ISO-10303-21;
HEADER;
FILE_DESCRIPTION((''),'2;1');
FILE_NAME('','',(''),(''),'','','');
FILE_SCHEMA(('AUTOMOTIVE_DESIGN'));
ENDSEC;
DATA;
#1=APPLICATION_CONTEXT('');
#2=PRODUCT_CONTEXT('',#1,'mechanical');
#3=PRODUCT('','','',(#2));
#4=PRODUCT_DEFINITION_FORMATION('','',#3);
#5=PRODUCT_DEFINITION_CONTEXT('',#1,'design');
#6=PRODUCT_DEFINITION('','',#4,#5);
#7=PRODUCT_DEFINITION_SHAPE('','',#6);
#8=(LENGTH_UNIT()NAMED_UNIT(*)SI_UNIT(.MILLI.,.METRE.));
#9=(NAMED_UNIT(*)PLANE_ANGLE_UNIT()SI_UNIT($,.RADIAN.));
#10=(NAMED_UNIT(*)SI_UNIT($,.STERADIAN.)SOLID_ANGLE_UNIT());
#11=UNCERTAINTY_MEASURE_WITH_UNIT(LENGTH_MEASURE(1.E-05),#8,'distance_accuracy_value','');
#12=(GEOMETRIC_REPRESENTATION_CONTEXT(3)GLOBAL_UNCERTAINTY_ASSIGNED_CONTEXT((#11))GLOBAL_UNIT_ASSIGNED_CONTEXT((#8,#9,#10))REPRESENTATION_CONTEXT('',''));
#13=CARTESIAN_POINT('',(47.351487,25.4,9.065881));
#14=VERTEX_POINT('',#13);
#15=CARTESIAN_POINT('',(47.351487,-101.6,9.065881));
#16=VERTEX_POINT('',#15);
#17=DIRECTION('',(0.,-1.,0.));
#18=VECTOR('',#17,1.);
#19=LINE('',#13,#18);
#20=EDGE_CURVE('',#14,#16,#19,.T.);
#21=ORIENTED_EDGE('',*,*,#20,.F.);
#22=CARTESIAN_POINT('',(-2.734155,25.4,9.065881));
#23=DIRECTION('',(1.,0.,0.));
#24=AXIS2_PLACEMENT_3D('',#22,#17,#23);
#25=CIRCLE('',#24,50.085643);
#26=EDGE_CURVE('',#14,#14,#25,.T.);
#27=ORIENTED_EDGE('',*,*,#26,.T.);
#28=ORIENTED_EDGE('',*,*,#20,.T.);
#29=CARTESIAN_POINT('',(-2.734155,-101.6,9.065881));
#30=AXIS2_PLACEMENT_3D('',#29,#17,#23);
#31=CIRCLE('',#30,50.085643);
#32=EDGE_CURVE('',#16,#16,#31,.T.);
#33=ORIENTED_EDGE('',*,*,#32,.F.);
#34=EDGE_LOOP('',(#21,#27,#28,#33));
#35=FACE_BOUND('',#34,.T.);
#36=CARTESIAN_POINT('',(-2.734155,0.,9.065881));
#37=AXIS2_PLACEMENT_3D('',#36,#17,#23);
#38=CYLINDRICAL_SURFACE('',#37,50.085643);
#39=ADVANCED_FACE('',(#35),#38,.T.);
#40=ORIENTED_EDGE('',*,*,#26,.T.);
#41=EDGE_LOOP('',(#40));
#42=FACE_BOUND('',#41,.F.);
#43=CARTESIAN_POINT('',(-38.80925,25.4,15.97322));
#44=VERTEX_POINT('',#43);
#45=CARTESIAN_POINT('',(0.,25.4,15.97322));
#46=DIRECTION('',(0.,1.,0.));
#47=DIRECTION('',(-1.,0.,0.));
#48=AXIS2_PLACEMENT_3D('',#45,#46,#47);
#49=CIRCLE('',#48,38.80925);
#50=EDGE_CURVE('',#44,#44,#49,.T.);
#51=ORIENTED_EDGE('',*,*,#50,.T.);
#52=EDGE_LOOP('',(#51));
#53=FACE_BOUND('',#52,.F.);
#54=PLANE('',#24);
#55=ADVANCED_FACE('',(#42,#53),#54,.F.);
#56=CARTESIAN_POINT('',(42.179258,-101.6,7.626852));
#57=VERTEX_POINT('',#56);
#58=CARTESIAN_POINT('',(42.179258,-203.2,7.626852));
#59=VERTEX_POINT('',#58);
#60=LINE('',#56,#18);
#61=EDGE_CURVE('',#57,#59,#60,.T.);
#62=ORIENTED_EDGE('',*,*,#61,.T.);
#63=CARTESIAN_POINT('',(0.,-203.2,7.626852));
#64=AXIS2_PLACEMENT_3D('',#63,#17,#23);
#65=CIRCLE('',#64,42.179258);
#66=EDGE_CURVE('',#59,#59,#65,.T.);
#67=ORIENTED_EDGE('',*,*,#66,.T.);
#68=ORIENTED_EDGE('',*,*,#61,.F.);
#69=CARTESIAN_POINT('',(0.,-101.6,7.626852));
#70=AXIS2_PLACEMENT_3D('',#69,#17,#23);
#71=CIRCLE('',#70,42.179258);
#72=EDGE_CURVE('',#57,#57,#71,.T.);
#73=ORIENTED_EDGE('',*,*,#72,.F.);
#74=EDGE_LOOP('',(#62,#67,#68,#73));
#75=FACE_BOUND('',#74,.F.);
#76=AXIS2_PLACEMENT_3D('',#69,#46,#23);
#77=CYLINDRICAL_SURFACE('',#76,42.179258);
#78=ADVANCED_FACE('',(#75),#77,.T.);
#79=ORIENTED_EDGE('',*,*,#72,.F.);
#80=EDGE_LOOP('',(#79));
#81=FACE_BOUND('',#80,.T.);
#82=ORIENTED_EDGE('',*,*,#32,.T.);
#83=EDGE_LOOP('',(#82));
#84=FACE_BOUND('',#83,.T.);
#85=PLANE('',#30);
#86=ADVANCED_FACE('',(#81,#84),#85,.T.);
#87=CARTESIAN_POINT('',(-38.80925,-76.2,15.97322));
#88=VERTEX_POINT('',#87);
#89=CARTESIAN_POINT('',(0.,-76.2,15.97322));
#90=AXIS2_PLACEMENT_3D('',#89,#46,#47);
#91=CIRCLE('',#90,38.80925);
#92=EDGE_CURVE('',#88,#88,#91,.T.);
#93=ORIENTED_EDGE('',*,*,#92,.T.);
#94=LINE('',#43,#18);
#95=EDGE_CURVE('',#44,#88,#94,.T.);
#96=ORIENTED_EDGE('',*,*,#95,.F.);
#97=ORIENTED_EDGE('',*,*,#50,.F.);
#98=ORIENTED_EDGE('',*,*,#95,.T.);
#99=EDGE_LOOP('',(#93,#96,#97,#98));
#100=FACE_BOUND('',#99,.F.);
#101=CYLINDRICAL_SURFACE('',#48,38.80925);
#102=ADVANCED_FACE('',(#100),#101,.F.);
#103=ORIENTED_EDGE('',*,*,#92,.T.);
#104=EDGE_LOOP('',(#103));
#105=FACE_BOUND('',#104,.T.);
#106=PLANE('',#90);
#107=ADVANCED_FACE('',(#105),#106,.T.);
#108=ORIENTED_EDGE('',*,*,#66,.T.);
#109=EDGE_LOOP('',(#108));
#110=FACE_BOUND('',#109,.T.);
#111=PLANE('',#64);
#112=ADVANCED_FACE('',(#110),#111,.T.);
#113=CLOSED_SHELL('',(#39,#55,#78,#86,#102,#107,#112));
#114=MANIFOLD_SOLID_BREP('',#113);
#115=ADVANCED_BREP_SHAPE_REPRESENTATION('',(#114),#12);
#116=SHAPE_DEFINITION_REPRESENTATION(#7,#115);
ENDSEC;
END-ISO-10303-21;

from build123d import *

# Parameters (mm, degrees)
F0_R     = 50.0856425189
F1_DEPTH = 101.6
F2_R     = 42.1792579473
F3_DEPTH = 101.6
F4_DEPTH = 25.4
F5_R     = 38.8092501819
F6_DEPTH = 101.6


with BuildPart() as f1:
    # F0 (on Front) → F1 (new body)
    with BuildSketch(Plane.XZ):
        with Locations((-2.7341553941, 9.0658813715)):
            Circle(F0_R)
    extrude(amount=F1_DEPTH)

    # F2 (on face) → F3 (join)
    with BuildSketch(Plane.XZ.offset(101.6)):
        with Locations((0, 7.6268524863)):
            Circle(F2_R)
    extrude(amount=F3_DEPTH)

    # F4 (add): a face of the model
    f4_faces = [f1.faces().sort_by_distance(p)[0] for p in [
        (-2.7341553941, 0, 9.0658813715),
    ]]
    extrude(f4_faces, amount=F4_DEPTH)

    # F5 (on face) → F6 (cut)
    with BuildSketch(Plane(origin=(0, 25.4, 0), x_dir=(-1, 0, 0), z_dir=(0, 1, 0))):
        with Locations((0, 15.973219648)):
            Circle(F5_R)
    extrude(amount=-F6_DEPTH, mode=Mode.SUBTRACT)


solid = f1.part
